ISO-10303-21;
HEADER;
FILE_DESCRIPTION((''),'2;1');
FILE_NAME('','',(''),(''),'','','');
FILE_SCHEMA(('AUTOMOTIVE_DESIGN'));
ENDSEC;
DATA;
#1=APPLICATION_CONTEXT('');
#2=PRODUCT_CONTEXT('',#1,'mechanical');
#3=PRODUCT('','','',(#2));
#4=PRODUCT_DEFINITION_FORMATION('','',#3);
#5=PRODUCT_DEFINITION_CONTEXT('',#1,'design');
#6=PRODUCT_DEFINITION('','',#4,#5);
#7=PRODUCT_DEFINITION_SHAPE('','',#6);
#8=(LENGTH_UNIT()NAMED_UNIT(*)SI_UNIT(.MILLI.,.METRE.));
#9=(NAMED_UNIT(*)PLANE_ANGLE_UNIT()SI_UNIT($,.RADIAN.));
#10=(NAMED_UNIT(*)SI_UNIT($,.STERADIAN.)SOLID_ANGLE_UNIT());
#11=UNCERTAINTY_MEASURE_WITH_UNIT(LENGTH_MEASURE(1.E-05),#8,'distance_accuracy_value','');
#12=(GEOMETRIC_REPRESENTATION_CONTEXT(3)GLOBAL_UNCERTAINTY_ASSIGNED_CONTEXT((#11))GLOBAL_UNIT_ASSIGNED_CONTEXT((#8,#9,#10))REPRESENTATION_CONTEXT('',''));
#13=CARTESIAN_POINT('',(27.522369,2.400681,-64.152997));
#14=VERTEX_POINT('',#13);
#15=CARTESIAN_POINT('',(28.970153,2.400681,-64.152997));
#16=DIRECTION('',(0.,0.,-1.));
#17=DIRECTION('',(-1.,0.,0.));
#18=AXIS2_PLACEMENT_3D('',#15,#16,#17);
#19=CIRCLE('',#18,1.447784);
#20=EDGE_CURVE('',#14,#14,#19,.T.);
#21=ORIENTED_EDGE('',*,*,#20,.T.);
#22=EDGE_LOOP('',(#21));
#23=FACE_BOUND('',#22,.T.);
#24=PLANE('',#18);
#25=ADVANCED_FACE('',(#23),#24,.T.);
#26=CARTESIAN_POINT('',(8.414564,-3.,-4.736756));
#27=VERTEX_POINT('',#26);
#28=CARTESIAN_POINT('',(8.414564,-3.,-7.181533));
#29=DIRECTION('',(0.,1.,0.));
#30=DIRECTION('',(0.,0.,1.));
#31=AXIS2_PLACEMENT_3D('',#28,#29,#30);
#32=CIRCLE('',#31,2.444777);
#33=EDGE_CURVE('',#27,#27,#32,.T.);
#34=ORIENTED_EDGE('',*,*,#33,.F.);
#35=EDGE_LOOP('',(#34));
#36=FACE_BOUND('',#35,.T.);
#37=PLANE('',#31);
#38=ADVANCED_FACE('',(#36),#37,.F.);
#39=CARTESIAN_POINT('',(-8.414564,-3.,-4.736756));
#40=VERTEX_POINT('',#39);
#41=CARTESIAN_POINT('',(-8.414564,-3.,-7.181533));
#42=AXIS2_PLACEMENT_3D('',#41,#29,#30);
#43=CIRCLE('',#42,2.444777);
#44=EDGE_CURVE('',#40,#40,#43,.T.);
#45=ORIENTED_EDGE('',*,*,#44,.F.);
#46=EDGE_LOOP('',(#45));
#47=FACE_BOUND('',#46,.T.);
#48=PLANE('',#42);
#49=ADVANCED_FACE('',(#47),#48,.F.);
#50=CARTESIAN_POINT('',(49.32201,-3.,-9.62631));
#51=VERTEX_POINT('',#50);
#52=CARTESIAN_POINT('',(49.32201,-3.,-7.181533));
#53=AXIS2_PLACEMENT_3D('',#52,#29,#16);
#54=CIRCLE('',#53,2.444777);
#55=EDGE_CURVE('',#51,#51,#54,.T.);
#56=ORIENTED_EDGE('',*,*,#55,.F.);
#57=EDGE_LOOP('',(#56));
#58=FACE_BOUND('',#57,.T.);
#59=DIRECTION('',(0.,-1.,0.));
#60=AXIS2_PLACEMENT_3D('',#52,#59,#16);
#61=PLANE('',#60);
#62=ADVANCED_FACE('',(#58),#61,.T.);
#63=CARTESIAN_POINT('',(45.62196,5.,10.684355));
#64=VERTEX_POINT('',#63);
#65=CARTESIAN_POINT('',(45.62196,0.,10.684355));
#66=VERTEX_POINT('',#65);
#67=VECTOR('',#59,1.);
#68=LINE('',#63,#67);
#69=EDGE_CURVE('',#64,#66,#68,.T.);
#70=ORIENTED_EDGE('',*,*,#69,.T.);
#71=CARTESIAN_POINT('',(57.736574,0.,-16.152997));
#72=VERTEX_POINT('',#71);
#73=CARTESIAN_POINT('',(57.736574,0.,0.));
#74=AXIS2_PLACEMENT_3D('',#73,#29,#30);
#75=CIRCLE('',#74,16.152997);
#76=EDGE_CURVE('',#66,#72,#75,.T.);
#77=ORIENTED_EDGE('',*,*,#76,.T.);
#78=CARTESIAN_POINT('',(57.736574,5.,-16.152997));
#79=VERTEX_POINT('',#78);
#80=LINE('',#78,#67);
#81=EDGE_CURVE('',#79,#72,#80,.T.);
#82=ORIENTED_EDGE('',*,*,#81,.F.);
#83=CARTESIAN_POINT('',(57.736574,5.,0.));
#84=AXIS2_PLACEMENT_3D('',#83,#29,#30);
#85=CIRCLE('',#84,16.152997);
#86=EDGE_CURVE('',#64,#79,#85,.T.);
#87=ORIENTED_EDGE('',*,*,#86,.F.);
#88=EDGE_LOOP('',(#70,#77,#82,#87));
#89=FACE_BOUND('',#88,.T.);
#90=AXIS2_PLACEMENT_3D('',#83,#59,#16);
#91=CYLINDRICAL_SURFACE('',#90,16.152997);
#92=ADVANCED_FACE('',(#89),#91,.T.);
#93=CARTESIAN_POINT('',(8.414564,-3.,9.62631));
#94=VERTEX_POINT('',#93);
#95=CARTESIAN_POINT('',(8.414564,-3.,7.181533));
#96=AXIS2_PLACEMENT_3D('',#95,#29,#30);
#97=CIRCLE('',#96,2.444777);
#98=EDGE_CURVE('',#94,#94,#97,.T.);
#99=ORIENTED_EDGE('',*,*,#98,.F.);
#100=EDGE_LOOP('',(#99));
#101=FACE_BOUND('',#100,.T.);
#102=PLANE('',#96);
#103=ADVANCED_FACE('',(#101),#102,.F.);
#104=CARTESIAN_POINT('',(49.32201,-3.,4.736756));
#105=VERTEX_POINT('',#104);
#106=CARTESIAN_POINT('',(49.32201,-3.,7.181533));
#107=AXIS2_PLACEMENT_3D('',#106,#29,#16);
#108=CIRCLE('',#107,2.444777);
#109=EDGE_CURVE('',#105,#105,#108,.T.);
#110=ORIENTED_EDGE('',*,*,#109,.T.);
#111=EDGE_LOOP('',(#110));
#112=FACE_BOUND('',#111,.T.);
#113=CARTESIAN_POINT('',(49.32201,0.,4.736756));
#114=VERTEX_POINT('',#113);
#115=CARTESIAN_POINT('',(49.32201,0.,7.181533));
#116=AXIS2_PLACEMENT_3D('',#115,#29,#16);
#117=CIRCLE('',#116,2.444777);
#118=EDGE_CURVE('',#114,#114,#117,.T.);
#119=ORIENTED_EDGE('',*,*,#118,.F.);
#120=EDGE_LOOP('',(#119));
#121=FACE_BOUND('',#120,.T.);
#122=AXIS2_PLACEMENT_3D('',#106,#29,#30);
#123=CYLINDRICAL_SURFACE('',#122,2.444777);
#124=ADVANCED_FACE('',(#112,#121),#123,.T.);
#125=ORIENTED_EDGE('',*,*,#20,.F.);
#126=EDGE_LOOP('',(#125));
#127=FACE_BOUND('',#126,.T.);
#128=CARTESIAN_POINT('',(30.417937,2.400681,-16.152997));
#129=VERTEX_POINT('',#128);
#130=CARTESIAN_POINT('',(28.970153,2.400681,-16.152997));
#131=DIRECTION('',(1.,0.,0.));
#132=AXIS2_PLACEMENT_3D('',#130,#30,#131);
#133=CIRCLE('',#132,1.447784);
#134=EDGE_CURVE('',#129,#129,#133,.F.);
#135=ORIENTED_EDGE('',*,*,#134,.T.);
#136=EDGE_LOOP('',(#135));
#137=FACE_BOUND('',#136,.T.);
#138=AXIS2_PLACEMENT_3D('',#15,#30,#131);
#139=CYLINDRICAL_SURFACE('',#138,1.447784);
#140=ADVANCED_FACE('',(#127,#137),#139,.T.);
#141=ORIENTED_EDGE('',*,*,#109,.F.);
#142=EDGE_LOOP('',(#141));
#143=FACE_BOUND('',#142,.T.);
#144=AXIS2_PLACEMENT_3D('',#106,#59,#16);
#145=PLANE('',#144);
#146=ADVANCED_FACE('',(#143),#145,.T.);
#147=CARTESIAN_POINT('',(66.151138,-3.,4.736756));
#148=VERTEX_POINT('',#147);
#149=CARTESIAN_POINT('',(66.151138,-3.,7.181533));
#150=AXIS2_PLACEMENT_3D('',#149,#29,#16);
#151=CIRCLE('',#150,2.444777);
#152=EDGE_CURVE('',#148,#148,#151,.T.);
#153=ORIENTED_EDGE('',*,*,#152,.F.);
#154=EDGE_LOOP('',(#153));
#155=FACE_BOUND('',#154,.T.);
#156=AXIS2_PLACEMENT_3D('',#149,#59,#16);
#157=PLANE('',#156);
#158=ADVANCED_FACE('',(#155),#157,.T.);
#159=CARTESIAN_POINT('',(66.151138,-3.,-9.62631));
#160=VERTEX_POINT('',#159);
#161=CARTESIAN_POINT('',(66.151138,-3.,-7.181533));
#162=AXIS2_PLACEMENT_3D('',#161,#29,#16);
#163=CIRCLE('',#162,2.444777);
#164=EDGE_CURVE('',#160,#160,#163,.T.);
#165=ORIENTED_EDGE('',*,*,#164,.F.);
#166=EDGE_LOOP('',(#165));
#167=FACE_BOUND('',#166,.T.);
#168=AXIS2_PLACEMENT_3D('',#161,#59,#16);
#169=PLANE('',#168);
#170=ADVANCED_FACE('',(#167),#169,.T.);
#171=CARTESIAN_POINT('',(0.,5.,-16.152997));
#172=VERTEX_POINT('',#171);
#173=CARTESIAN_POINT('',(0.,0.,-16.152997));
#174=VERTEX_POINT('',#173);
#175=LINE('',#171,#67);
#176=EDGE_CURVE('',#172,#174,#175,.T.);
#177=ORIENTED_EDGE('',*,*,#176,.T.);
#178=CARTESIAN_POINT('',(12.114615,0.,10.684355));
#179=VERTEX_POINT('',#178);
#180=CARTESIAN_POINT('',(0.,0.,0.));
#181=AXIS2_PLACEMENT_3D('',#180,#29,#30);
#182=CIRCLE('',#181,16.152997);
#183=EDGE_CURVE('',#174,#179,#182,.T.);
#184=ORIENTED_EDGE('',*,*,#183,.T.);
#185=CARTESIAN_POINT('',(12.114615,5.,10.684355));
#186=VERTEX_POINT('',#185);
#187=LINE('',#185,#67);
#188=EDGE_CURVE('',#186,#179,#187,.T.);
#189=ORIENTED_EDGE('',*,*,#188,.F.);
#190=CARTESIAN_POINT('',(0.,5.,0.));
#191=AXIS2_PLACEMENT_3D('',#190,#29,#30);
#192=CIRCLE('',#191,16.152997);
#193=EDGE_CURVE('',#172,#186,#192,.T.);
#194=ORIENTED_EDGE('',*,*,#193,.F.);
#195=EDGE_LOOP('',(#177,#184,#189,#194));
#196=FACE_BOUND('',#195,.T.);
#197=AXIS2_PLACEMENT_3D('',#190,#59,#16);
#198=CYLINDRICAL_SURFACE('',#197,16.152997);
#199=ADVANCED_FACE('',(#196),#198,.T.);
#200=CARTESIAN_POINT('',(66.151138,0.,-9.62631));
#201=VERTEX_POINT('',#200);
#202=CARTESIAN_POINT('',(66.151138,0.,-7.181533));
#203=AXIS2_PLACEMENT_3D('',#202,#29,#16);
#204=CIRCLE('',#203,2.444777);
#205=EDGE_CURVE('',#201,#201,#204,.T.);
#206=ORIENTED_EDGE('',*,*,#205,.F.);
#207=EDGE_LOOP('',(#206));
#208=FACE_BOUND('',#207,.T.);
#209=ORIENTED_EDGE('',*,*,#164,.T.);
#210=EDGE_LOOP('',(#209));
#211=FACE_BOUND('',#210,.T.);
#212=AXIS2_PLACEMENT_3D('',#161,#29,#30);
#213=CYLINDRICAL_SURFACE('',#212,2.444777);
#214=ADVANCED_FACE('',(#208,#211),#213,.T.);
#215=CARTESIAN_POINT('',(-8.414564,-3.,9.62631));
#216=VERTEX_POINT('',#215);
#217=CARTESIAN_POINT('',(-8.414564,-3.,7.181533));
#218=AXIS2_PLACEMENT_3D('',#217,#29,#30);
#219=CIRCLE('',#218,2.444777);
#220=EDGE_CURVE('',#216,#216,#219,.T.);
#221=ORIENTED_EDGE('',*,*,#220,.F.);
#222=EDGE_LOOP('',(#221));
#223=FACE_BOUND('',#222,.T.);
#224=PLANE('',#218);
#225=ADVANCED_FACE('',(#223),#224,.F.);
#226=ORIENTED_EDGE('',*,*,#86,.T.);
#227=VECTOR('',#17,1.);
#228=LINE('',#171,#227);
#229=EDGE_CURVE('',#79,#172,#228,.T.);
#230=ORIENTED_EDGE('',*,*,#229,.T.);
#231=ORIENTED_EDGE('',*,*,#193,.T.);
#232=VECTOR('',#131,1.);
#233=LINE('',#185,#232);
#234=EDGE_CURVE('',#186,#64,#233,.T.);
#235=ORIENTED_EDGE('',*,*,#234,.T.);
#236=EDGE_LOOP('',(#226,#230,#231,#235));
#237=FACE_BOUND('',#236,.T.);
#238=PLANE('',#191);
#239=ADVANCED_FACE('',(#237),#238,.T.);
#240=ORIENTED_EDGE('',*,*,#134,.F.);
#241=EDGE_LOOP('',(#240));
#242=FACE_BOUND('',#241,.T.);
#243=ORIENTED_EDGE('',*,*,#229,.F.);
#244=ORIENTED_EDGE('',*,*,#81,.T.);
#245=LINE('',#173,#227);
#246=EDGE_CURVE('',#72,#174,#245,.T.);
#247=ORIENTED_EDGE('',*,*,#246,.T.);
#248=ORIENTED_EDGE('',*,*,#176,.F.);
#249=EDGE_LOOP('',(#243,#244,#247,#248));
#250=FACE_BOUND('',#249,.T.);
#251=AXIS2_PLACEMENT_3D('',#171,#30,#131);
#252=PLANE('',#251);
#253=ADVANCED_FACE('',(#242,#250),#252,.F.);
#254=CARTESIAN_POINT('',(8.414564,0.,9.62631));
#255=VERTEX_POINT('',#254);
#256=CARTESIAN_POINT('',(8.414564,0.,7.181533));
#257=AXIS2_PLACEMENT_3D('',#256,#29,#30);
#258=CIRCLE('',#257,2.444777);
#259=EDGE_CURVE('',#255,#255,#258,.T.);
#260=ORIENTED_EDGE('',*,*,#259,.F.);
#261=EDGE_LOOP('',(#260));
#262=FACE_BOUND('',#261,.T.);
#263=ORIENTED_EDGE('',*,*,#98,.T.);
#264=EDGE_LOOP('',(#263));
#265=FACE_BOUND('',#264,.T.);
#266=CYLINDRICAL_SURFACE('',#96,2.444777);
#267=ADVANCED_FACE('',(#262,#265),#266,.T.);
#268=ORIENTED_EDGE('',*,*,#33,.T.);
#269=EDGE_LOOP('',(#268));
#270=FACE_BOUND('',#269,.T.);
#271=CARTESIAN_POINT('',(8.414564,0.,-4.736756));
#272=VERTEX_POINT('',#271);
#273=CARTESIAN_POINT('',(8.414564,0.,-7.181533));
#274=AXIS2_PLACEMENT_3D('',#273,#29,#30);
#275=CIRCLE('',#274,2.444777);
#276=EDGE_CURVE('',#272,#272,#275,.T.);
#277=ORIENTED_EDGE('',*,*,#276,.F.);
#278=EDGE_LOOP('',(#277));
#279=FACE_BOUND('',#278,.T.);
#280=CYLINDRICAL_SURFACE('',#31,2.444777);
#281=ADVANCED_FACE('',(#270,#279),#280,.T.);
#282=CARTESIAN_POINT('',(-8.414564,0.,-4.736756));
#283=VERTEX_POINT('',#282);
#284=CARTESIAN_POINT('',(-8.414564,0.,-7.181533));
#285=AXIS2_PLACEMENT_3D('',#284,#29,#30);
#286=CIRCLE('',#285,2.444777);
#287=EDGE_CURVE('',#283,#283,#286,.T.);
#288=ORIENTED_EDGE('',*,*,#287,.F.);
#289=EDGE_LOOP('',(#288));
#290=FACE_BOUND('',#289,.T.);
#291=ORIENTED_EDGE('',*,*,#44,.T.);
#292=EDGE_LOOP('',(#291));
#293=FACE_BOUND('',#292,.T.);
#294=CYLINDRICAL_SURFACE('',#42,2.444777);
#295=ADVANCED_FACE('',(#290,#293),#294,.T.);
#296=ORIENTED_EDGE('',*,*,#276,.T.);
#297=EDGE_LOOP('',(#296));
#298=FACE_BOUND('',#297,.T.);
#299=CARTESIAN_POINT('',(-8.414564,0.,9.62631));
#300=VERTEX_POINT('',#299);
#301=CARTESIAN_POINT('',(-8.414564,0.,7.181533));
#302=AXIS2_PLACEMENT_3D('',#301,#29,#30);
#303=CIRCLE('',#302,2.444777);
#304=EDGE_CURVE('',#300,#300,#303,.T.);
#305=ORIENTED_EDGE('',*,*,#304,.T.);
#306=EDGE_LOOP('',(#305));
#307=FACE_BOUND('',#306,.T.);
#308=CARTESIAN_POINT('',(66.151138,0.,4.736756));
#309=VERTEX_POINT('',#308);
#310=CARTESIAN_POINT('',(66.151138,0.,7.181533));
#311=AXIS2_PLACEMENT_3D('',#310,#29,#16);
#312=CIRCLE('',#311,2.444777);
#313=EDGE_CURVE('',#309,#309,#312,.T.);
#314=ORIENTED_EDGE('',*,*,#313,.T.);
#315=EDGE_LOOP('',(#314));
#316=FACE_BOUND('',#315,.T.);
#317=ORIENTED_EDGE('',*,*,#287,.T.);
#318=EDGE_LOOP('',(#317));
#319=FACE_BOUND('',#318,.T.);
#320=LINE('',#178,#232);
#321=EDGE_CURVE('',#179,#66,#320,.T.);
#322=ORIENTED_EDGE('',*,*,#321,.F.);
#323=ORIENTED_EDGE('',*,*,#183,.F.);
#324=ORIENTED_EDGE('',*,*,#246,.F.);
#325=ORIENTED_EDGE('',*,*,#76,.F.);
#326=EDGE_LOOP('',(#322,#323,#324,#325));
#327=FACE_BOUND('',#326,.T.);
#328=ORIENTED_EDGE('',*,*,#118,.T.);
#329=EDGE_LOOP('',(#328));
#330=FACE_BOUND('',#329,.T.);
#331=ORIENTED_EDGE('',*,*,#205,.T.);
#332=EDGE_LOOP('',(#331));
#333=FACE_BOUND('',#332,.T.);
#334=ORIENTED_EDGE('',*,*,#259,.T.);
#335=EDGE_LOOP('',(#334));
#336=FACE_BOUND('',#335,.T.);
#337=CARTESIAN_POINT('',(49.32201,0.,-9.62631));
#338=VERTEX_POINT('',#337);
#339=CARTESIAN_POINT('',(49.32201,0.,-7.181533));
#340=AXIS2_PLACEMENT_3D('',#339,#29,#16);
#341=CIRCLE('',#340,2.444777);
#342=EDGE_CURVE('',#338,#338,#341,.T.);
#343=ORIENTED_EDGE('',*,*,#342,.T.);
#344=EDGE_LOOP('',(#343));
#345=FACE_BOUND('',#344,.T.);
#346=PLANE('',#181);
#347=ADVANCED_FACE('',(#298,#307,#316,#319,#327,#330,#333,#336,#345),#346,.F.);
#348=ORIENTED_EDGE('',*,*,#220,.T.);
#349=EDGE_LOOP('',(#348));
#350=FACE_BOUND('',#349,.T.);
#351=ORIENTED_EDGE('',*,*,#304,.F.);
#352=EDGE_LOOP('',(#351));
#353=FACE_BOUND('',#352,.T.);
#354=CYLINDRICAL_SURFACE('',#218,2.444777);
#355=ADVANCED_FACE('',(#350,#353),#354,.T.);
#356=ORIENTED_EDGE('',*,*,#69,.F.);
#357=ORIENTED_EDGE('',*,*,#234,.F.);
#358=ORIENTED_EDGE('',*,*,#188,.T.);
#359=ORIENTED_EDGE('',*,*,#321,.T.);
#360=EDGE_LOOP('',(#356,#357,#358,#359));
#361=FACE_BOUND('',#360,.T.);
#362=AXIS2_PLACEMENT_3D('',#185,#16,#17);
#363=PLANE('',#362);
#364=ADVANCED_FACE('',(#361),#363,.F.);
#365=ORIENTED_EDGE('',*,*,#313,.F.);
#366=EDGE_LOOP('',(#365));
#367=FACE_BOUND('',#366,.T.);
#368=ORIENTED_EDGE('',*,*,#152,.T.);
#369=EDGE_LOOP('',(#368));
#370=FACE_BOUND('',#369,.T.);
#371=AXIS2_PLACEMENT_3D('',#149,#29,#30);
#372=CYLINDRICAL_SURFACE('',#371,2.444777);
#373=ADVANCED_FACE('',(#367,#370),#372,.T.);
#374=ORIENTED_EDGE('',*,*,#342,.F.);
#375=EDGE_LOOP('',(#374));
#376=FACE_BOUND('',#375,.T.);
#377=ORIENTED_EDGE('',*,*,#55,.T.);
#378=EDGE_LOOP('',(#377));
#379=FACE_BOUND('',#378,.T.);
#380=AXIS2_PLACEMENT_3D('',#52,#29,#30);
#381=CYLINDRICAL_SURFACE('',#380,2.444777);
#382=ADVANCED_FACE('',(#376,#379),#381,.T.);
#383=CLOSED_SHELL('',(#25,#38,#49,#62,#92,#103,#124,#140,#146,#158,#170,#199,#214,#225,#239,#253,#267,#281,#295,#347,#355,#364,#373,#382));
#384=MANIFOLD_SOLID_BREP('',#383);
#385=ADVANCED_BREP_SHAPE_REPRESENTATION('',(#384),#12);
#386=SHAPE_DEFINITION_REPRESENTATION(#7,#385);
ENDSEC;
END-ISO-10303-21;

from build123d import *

# Parameters (mm, degrees)
BOSS_EXTRUDE1_DEPTH = 5
SKETCH2_R           = 2.444777137
BOSS_EXTRUDE2_DEPTH = 3
SKETCH4_R           = 1.447783819
BOSS_EXTRUDE3_DEPTH = 48


with BuildPart() as part:
    # Sketch1 → Boss-Extrude1 (new body)
    with BuildSketch(Plane(origin=(0, 0, 0), x_dir=(1, 0, 0), z_dir=(0, 1, 0))):
        with BuildLine():
            Line((0, 16.15299729), (57.736574248, 16.15299729))
            ThreePointArc((57.736574248, 16.15299729), (72.459068519, -6.645862163), (45.621959745, -10.684354773))
            Line((45.621959745, -10.684354773), (12.114614503, -10.684354773))
            ThreePointArc((12.114614503, -10.684354773), (-14.722494271, -6.645862163), (0, 16.15299729))
        make_face()
    extrude(amount=BOSS_EXTRUDE1_DEPTH)

    # Sketch2 → Boss-Extrude2 (add)
    with BuildSketch(Plane(origin=(0, 0, 0), x_dir=(1, 0, 0), z_dir=(0, 1, 0))):
        with Locations(Location((-8.414564217, 7.18153284, 0), (0, 0, 270))):
            Circle(SKETCH2_R)
        with Locations(Location((-8.414564217, -7.18153284, 0), (0, 0, 270))):
            Circle(SKETCH2_R)
        with Locations(Location((8.414564217, 7.18153284, 0), (0, 0, 270))):
            Circle(SKETCH2_R)
        with Locations(Location((8.414564217, -7.18153284, 0), (0, 0, 270))):
            Circle(SKETCH2_R)
        with Locations(Location((66.151138464, 7.18153284, 0), (0, 0, 90))):
            Circle(SKETCH2_R)
        with Locations(Location((66.151138464, -7.18153284, 0), (0, 0, 90))):
            Circle(SKETCH2_R)
        with Locations(Location((49.322010031, -7.18153284, 0), (0, 0, 90))):
            Circle(SKETCH2_R)
        with Locations(Location((49.322010031, 7.18153284, 0), (0, 0, 90))):
            Circle(SKETCH2_R)
    extrude(amount=-BOSS_EXTRUDE2_DEPTH)

    # Sketch4 → Boss-Extrude3 (add)
    with BuildSketch(Plane(origin=(0, 0, -16.15299729), x_dir=(-1, 0, 0), z_dir=(0, 0, -1))):
        with Locations(Location((-28.970152838, 2.400681273, 0), (0, 0, 180))):
            Circle(SKETCH4_R)
    extrude(amount=BOSS_EXTRUDE3_DEPTH)


solid = part.part
